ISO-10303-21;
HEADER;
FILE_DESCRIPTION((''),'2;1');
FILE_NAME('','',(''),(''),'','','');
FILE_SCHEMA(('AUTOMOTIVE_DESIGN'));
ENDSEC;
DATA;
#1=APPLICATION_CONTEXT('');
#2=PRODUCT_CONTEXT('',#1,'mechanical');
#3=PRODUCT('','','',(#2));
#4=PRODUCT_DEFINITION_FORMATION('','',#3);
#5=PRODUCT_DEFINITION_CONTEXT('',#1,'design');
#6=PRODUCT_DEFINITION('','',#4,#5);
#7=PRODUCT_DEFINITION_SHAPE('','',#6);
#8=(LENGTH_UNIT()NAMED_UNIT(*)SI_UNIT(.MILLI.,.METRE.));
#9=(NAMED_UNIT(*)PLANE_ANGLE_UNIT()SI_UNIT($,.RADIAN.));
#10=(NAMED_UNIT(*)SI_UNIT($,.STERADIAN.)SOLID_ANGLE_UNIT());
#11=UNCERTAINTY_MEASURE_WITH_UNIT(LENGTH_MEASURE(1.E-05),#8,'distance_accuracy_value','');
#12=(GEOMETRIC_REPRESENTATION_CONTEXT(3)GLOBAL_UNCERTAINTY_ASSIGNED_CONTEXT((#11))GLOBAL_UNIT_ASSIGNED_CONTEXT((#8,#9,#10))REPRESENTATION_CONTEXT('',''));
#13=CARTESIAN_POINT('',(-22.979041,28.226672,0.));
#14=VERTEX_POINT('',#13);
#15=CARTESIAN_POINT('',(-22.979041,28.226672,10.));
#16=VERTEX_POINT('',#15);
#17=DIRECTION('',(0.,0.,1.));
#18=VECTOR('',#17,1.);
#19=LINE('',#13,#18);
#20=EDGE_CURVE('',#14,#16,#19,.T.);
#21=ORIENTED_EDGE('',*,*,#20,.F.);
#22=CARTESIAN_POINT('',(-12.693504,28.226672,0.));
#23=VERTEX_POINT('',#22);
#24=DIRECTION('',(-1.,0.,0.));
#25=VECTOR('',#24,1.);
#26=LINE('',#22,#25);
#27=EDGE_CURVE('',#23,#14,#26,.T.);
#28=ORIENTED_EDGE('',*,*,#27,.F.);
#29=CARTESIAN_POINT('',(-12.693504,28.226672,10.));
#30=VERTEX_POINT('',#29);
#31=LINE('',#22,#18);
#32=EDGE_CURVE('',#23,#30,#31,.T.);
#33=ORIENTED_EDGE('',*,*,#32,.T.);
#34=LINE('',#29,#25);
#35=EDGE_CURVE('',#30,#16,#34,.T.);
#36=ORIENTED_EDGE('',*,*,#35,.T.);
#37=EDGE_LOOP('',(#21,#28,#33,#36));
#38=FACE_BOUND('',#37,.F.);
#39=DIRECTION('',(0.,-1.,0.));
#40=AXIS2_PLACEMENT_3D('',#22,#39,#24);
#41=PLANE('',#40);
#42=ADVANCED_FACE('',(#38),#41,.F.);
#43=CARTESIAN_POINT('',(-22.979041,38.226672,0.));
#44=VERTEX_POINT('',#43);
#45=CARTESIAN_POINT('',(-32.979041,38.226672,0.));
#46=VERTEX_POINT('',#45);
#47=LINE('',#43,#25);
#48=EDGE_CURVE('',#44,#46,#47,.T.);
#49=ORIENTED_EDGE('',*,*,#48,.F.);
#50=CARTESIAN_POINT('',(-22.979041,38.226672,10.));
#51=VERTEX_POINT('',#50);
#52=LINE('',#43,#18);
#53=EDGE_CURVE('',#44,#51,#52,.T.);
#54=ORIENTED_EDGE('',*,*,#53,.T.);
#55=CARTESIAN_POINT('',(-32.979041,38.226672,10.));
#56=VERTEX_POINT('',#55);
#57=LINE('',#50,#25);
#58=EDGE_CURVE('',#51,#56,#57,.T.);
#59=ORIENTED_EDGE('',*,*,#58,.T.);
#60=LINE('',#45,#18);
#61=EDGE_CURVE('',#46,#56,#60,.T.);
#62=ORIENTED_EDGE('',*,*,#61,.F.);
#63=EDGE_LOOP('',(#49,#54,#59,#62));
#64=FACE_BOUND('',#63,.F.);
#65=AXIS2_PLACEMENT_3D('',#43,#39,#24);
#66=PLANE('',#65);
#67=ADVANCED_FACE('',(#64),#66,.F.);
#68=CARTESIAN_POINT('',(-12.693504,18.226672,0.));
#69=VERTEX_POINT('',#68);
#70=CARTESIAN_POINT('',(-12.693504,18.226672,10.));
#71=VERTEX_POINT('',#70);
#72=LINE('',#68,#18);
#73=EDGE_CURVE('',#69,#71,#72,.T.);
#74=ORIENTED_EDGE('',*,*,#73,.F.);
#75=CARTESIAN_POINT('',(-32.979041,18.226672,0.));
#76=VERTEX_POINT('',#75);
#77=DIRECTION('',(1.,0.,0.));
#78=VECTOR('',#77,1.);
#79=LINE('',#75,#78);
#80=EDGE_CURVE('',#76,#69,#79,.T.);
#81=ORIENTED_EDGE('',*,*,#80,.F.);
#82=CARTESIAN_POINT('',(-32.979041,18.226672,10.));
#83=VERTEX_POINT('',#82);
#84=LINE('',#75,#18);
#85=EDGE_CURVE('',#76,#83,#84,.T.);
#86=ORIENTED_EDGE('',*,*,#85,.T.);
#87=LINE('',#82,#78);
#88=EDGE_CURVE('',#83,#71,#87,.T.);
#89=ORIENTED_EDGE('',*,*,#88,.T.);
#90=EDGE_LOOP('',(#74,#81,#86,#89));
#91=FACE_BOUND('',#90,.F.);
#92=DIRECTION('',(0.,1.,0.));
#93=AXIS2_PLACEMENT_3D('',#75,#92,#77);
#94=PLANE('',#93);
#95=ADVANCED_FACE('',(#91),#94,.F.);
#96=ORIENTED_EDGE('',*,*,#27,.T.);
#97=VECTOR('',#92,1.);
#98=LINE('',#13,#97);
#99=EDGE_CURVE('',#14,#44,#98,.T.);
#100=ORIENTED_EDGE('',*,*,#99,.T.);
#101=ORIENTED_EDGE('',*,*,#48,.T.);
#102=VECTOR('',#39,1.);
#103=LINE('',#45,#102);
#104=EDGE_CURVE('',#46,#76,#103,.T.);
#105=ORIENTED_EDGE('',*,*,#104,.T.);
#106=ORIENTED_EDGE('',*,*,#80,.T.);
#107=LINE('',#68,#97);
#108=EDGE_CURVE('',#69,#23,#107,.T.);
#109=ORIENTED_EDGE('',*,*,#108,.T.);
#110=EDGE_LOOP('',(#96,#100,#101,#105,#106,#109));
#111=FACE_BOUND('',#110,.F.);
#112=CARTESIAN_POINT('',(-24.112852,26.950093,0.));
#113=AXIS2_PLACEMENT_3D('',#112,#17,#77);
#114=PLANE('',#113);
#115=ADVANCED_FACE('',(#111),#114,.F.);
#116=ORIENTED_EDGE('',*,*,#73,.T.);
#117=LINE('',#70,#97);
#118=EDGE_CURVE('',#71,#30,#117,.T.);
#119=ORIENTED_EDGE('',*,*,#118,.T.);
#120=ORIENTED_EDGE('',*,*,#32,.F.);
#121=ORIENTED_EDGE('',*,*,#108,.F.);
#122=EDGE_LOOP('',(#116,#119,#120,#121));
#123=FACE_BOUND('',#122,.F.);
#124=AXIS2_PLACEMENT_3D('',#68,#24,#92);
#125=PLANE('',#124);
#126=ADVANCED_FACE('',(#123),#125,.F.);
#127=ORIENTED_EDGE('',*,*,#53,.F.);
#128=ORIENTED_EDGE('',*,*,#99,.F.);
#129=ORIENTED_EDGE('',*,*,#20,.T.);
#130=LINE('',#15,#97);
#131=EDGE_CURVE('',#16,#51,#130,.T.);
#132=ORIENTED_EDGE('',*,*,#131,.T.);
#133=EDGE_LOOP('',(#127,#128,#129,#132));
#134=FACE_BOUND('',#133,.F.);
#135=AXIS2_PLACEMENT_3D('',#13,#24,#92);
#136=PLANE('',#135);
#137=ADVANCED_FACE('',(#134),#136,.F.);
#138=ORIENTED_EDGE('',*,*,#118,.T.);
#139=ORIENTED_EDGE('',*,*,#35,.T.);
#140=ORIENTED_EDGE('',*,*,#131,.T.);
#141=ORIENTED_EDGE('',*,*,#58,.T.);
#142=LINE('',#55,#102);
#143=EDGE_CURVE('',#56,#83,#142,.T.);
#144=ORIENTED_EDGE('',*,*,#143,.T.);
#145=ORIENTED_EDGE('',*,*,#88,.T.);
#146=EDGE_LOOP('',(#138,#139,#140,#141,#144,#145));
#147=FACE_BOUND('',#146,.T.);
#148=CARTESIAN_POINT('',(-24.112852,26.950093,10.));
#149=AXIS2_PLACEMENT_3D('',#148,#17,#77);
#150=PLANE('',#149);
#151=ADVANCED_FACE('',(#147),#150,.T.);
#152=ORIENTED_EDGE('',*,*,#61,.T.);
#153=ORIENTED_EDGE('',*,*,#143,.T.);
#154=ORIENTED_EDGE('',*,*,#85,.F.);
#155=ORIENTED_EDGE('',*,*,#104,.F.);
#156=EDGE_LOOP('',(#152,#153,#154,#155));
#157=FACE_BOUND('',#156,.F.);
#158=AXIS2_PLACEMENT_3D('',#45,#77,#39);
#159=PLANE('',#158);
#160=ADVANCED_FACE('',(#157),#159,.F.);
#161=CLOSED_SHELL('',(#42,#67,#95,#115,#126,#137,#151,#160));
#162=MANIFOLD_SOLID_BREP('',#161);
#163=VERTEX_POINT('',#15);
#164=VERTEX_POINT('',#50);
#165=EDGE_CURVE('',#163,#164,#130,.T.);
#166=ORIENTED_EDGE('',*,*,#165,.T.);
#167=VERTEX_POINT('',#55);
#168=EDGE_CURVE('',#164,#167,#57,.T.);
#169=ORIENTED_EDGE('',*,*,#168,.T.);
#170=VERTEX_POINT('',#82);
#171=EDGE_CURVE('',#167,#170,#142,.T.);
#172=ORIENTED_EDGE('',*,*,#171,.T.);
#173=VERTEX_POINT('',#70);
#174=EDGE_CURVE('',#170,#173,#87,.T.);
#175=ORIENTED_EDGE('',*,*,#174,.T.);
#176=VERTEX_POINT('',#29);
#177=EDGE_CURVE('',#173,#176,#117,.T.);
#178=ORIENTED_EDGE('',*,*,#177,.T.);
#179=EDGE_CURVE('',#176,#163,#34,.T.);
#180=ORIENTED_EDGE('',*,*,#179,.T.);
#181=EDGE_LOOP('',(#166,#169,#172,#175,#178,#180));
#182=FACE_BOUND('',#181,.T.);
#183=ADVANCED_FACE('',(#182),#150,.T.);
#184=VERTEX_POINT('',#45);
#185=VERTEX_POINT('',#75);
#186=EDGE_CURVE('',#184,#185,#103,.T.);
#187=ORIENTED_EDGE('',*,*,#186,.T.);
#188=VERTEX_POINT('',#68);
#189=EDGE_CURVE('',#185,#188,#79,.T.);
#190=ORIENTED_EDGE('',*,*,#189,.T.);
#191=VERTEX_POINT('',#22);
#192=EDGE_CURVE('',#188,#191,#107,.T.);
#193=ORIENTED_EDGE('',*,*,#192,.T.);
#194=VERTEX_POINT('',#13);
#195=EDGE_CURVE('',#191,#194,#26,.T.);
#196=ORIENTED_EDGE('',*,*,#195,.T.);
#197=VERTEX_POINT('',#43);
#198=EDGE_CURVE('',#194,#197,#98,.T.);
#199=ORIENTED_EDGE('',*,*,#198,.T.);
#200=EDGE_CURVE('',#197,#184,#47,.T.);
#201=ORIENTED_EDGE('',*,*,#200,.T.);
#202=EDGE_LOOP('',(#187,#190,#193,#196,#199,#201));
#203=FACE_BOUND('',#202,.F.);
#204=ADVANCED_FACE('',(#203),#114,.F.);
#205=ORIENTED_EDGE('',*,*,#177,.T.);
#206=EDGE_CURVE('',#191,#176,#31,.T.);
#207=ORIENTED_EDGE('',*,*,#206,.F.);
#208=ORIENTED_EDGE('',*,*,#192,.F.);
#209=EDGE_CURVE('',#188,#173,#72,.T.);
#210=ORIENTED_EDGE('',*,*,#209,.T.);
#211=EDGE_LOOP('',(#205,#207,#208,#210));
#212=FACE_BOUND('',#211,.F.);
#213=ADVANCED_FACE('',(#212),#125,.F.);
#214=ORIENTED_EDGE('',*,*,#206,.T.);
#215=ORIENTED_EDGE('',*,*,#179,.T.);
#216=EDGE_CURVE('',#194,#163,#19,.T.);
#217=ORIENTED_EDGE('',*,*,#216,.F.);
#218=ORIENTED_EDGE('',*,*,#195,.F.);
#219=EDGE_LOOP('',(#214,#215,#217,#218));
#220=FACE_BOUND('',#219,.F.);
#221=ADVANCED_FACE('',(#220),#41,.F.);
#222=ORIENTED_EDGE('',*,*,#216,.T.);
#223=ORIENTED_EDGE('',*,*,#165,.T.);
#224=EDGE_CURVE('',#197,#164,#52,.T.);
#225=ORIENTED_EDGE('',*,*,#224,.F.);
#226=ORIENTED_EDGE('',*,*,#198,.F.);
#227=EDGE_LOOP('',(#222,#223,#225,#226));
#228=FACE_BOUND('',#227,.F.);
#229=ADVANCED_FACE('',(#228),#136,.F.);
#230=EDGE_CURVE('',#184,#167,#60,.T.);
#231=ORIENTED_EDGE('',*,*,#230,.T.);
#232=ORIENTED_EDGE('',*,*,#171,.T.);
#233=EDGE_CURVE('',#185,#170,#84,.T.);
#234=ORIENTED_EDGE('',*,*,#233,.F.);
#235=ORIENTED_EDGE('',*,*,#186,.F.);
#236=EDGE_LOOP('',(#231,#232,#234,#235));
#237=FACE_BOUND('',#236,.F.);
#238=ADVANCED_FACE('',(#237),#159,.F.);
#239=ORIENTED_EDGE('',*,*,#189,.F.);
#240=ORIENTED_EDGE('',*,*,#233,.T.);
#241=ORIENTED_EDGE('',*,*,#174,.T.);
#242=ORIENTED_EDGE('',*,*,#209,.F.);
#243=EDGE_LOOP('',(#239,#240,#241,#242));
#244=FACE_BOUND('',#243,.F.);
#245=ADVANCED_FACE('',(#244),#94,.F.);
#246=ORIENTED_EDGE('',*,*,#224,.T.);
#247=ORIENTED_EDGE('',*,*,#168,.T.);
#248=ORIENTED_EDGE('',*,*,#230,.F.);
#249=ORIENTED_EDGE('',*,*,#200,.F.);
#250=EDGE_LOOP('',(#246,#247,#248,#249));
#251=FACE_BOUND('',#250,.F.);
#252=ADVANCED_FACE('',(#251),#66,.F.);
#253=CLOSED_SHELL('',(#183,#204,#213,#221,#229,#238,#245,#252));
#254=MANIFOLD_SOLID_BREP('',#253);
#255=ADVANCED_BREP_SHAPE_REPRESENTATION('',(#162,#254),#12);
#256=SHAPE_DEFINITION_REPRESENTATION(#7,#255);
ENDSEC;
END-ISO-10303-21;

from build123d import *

# Parameters (mm, degrees)
F1_DEPTH = 10
F2_DEPTH = 10


with BuildPart() as f1:
    # F0 (on Top) → F1 (new body)
    with BuildSketch(Plane.XY):
        Polygon((-32.979041, 38.226672), (-32.979041, 18.226672), (-12.693504, 18.226672), (-12.693504, 28.226672), (-22.979041, 28.226672), (-22.979041, 38.226672), align=None)
    extrude(amount=F1_DEPTH)


with BuildPart() as f2:
    # F0 (on Top) → F2 (new body)
    with BuildSketch(Plane.XY):
        Polygon((-32.979041, 38.226672), (-32.979041, 18.226672), (-12.693504, 18.226672), (-12.693504, 28.226672), (-22.979041, 28.226672), (-22.979041, 38.226672), align=None)
    extrude(amount=F2_DEPTH)


solid = Compound([f1.part, f2.part])
